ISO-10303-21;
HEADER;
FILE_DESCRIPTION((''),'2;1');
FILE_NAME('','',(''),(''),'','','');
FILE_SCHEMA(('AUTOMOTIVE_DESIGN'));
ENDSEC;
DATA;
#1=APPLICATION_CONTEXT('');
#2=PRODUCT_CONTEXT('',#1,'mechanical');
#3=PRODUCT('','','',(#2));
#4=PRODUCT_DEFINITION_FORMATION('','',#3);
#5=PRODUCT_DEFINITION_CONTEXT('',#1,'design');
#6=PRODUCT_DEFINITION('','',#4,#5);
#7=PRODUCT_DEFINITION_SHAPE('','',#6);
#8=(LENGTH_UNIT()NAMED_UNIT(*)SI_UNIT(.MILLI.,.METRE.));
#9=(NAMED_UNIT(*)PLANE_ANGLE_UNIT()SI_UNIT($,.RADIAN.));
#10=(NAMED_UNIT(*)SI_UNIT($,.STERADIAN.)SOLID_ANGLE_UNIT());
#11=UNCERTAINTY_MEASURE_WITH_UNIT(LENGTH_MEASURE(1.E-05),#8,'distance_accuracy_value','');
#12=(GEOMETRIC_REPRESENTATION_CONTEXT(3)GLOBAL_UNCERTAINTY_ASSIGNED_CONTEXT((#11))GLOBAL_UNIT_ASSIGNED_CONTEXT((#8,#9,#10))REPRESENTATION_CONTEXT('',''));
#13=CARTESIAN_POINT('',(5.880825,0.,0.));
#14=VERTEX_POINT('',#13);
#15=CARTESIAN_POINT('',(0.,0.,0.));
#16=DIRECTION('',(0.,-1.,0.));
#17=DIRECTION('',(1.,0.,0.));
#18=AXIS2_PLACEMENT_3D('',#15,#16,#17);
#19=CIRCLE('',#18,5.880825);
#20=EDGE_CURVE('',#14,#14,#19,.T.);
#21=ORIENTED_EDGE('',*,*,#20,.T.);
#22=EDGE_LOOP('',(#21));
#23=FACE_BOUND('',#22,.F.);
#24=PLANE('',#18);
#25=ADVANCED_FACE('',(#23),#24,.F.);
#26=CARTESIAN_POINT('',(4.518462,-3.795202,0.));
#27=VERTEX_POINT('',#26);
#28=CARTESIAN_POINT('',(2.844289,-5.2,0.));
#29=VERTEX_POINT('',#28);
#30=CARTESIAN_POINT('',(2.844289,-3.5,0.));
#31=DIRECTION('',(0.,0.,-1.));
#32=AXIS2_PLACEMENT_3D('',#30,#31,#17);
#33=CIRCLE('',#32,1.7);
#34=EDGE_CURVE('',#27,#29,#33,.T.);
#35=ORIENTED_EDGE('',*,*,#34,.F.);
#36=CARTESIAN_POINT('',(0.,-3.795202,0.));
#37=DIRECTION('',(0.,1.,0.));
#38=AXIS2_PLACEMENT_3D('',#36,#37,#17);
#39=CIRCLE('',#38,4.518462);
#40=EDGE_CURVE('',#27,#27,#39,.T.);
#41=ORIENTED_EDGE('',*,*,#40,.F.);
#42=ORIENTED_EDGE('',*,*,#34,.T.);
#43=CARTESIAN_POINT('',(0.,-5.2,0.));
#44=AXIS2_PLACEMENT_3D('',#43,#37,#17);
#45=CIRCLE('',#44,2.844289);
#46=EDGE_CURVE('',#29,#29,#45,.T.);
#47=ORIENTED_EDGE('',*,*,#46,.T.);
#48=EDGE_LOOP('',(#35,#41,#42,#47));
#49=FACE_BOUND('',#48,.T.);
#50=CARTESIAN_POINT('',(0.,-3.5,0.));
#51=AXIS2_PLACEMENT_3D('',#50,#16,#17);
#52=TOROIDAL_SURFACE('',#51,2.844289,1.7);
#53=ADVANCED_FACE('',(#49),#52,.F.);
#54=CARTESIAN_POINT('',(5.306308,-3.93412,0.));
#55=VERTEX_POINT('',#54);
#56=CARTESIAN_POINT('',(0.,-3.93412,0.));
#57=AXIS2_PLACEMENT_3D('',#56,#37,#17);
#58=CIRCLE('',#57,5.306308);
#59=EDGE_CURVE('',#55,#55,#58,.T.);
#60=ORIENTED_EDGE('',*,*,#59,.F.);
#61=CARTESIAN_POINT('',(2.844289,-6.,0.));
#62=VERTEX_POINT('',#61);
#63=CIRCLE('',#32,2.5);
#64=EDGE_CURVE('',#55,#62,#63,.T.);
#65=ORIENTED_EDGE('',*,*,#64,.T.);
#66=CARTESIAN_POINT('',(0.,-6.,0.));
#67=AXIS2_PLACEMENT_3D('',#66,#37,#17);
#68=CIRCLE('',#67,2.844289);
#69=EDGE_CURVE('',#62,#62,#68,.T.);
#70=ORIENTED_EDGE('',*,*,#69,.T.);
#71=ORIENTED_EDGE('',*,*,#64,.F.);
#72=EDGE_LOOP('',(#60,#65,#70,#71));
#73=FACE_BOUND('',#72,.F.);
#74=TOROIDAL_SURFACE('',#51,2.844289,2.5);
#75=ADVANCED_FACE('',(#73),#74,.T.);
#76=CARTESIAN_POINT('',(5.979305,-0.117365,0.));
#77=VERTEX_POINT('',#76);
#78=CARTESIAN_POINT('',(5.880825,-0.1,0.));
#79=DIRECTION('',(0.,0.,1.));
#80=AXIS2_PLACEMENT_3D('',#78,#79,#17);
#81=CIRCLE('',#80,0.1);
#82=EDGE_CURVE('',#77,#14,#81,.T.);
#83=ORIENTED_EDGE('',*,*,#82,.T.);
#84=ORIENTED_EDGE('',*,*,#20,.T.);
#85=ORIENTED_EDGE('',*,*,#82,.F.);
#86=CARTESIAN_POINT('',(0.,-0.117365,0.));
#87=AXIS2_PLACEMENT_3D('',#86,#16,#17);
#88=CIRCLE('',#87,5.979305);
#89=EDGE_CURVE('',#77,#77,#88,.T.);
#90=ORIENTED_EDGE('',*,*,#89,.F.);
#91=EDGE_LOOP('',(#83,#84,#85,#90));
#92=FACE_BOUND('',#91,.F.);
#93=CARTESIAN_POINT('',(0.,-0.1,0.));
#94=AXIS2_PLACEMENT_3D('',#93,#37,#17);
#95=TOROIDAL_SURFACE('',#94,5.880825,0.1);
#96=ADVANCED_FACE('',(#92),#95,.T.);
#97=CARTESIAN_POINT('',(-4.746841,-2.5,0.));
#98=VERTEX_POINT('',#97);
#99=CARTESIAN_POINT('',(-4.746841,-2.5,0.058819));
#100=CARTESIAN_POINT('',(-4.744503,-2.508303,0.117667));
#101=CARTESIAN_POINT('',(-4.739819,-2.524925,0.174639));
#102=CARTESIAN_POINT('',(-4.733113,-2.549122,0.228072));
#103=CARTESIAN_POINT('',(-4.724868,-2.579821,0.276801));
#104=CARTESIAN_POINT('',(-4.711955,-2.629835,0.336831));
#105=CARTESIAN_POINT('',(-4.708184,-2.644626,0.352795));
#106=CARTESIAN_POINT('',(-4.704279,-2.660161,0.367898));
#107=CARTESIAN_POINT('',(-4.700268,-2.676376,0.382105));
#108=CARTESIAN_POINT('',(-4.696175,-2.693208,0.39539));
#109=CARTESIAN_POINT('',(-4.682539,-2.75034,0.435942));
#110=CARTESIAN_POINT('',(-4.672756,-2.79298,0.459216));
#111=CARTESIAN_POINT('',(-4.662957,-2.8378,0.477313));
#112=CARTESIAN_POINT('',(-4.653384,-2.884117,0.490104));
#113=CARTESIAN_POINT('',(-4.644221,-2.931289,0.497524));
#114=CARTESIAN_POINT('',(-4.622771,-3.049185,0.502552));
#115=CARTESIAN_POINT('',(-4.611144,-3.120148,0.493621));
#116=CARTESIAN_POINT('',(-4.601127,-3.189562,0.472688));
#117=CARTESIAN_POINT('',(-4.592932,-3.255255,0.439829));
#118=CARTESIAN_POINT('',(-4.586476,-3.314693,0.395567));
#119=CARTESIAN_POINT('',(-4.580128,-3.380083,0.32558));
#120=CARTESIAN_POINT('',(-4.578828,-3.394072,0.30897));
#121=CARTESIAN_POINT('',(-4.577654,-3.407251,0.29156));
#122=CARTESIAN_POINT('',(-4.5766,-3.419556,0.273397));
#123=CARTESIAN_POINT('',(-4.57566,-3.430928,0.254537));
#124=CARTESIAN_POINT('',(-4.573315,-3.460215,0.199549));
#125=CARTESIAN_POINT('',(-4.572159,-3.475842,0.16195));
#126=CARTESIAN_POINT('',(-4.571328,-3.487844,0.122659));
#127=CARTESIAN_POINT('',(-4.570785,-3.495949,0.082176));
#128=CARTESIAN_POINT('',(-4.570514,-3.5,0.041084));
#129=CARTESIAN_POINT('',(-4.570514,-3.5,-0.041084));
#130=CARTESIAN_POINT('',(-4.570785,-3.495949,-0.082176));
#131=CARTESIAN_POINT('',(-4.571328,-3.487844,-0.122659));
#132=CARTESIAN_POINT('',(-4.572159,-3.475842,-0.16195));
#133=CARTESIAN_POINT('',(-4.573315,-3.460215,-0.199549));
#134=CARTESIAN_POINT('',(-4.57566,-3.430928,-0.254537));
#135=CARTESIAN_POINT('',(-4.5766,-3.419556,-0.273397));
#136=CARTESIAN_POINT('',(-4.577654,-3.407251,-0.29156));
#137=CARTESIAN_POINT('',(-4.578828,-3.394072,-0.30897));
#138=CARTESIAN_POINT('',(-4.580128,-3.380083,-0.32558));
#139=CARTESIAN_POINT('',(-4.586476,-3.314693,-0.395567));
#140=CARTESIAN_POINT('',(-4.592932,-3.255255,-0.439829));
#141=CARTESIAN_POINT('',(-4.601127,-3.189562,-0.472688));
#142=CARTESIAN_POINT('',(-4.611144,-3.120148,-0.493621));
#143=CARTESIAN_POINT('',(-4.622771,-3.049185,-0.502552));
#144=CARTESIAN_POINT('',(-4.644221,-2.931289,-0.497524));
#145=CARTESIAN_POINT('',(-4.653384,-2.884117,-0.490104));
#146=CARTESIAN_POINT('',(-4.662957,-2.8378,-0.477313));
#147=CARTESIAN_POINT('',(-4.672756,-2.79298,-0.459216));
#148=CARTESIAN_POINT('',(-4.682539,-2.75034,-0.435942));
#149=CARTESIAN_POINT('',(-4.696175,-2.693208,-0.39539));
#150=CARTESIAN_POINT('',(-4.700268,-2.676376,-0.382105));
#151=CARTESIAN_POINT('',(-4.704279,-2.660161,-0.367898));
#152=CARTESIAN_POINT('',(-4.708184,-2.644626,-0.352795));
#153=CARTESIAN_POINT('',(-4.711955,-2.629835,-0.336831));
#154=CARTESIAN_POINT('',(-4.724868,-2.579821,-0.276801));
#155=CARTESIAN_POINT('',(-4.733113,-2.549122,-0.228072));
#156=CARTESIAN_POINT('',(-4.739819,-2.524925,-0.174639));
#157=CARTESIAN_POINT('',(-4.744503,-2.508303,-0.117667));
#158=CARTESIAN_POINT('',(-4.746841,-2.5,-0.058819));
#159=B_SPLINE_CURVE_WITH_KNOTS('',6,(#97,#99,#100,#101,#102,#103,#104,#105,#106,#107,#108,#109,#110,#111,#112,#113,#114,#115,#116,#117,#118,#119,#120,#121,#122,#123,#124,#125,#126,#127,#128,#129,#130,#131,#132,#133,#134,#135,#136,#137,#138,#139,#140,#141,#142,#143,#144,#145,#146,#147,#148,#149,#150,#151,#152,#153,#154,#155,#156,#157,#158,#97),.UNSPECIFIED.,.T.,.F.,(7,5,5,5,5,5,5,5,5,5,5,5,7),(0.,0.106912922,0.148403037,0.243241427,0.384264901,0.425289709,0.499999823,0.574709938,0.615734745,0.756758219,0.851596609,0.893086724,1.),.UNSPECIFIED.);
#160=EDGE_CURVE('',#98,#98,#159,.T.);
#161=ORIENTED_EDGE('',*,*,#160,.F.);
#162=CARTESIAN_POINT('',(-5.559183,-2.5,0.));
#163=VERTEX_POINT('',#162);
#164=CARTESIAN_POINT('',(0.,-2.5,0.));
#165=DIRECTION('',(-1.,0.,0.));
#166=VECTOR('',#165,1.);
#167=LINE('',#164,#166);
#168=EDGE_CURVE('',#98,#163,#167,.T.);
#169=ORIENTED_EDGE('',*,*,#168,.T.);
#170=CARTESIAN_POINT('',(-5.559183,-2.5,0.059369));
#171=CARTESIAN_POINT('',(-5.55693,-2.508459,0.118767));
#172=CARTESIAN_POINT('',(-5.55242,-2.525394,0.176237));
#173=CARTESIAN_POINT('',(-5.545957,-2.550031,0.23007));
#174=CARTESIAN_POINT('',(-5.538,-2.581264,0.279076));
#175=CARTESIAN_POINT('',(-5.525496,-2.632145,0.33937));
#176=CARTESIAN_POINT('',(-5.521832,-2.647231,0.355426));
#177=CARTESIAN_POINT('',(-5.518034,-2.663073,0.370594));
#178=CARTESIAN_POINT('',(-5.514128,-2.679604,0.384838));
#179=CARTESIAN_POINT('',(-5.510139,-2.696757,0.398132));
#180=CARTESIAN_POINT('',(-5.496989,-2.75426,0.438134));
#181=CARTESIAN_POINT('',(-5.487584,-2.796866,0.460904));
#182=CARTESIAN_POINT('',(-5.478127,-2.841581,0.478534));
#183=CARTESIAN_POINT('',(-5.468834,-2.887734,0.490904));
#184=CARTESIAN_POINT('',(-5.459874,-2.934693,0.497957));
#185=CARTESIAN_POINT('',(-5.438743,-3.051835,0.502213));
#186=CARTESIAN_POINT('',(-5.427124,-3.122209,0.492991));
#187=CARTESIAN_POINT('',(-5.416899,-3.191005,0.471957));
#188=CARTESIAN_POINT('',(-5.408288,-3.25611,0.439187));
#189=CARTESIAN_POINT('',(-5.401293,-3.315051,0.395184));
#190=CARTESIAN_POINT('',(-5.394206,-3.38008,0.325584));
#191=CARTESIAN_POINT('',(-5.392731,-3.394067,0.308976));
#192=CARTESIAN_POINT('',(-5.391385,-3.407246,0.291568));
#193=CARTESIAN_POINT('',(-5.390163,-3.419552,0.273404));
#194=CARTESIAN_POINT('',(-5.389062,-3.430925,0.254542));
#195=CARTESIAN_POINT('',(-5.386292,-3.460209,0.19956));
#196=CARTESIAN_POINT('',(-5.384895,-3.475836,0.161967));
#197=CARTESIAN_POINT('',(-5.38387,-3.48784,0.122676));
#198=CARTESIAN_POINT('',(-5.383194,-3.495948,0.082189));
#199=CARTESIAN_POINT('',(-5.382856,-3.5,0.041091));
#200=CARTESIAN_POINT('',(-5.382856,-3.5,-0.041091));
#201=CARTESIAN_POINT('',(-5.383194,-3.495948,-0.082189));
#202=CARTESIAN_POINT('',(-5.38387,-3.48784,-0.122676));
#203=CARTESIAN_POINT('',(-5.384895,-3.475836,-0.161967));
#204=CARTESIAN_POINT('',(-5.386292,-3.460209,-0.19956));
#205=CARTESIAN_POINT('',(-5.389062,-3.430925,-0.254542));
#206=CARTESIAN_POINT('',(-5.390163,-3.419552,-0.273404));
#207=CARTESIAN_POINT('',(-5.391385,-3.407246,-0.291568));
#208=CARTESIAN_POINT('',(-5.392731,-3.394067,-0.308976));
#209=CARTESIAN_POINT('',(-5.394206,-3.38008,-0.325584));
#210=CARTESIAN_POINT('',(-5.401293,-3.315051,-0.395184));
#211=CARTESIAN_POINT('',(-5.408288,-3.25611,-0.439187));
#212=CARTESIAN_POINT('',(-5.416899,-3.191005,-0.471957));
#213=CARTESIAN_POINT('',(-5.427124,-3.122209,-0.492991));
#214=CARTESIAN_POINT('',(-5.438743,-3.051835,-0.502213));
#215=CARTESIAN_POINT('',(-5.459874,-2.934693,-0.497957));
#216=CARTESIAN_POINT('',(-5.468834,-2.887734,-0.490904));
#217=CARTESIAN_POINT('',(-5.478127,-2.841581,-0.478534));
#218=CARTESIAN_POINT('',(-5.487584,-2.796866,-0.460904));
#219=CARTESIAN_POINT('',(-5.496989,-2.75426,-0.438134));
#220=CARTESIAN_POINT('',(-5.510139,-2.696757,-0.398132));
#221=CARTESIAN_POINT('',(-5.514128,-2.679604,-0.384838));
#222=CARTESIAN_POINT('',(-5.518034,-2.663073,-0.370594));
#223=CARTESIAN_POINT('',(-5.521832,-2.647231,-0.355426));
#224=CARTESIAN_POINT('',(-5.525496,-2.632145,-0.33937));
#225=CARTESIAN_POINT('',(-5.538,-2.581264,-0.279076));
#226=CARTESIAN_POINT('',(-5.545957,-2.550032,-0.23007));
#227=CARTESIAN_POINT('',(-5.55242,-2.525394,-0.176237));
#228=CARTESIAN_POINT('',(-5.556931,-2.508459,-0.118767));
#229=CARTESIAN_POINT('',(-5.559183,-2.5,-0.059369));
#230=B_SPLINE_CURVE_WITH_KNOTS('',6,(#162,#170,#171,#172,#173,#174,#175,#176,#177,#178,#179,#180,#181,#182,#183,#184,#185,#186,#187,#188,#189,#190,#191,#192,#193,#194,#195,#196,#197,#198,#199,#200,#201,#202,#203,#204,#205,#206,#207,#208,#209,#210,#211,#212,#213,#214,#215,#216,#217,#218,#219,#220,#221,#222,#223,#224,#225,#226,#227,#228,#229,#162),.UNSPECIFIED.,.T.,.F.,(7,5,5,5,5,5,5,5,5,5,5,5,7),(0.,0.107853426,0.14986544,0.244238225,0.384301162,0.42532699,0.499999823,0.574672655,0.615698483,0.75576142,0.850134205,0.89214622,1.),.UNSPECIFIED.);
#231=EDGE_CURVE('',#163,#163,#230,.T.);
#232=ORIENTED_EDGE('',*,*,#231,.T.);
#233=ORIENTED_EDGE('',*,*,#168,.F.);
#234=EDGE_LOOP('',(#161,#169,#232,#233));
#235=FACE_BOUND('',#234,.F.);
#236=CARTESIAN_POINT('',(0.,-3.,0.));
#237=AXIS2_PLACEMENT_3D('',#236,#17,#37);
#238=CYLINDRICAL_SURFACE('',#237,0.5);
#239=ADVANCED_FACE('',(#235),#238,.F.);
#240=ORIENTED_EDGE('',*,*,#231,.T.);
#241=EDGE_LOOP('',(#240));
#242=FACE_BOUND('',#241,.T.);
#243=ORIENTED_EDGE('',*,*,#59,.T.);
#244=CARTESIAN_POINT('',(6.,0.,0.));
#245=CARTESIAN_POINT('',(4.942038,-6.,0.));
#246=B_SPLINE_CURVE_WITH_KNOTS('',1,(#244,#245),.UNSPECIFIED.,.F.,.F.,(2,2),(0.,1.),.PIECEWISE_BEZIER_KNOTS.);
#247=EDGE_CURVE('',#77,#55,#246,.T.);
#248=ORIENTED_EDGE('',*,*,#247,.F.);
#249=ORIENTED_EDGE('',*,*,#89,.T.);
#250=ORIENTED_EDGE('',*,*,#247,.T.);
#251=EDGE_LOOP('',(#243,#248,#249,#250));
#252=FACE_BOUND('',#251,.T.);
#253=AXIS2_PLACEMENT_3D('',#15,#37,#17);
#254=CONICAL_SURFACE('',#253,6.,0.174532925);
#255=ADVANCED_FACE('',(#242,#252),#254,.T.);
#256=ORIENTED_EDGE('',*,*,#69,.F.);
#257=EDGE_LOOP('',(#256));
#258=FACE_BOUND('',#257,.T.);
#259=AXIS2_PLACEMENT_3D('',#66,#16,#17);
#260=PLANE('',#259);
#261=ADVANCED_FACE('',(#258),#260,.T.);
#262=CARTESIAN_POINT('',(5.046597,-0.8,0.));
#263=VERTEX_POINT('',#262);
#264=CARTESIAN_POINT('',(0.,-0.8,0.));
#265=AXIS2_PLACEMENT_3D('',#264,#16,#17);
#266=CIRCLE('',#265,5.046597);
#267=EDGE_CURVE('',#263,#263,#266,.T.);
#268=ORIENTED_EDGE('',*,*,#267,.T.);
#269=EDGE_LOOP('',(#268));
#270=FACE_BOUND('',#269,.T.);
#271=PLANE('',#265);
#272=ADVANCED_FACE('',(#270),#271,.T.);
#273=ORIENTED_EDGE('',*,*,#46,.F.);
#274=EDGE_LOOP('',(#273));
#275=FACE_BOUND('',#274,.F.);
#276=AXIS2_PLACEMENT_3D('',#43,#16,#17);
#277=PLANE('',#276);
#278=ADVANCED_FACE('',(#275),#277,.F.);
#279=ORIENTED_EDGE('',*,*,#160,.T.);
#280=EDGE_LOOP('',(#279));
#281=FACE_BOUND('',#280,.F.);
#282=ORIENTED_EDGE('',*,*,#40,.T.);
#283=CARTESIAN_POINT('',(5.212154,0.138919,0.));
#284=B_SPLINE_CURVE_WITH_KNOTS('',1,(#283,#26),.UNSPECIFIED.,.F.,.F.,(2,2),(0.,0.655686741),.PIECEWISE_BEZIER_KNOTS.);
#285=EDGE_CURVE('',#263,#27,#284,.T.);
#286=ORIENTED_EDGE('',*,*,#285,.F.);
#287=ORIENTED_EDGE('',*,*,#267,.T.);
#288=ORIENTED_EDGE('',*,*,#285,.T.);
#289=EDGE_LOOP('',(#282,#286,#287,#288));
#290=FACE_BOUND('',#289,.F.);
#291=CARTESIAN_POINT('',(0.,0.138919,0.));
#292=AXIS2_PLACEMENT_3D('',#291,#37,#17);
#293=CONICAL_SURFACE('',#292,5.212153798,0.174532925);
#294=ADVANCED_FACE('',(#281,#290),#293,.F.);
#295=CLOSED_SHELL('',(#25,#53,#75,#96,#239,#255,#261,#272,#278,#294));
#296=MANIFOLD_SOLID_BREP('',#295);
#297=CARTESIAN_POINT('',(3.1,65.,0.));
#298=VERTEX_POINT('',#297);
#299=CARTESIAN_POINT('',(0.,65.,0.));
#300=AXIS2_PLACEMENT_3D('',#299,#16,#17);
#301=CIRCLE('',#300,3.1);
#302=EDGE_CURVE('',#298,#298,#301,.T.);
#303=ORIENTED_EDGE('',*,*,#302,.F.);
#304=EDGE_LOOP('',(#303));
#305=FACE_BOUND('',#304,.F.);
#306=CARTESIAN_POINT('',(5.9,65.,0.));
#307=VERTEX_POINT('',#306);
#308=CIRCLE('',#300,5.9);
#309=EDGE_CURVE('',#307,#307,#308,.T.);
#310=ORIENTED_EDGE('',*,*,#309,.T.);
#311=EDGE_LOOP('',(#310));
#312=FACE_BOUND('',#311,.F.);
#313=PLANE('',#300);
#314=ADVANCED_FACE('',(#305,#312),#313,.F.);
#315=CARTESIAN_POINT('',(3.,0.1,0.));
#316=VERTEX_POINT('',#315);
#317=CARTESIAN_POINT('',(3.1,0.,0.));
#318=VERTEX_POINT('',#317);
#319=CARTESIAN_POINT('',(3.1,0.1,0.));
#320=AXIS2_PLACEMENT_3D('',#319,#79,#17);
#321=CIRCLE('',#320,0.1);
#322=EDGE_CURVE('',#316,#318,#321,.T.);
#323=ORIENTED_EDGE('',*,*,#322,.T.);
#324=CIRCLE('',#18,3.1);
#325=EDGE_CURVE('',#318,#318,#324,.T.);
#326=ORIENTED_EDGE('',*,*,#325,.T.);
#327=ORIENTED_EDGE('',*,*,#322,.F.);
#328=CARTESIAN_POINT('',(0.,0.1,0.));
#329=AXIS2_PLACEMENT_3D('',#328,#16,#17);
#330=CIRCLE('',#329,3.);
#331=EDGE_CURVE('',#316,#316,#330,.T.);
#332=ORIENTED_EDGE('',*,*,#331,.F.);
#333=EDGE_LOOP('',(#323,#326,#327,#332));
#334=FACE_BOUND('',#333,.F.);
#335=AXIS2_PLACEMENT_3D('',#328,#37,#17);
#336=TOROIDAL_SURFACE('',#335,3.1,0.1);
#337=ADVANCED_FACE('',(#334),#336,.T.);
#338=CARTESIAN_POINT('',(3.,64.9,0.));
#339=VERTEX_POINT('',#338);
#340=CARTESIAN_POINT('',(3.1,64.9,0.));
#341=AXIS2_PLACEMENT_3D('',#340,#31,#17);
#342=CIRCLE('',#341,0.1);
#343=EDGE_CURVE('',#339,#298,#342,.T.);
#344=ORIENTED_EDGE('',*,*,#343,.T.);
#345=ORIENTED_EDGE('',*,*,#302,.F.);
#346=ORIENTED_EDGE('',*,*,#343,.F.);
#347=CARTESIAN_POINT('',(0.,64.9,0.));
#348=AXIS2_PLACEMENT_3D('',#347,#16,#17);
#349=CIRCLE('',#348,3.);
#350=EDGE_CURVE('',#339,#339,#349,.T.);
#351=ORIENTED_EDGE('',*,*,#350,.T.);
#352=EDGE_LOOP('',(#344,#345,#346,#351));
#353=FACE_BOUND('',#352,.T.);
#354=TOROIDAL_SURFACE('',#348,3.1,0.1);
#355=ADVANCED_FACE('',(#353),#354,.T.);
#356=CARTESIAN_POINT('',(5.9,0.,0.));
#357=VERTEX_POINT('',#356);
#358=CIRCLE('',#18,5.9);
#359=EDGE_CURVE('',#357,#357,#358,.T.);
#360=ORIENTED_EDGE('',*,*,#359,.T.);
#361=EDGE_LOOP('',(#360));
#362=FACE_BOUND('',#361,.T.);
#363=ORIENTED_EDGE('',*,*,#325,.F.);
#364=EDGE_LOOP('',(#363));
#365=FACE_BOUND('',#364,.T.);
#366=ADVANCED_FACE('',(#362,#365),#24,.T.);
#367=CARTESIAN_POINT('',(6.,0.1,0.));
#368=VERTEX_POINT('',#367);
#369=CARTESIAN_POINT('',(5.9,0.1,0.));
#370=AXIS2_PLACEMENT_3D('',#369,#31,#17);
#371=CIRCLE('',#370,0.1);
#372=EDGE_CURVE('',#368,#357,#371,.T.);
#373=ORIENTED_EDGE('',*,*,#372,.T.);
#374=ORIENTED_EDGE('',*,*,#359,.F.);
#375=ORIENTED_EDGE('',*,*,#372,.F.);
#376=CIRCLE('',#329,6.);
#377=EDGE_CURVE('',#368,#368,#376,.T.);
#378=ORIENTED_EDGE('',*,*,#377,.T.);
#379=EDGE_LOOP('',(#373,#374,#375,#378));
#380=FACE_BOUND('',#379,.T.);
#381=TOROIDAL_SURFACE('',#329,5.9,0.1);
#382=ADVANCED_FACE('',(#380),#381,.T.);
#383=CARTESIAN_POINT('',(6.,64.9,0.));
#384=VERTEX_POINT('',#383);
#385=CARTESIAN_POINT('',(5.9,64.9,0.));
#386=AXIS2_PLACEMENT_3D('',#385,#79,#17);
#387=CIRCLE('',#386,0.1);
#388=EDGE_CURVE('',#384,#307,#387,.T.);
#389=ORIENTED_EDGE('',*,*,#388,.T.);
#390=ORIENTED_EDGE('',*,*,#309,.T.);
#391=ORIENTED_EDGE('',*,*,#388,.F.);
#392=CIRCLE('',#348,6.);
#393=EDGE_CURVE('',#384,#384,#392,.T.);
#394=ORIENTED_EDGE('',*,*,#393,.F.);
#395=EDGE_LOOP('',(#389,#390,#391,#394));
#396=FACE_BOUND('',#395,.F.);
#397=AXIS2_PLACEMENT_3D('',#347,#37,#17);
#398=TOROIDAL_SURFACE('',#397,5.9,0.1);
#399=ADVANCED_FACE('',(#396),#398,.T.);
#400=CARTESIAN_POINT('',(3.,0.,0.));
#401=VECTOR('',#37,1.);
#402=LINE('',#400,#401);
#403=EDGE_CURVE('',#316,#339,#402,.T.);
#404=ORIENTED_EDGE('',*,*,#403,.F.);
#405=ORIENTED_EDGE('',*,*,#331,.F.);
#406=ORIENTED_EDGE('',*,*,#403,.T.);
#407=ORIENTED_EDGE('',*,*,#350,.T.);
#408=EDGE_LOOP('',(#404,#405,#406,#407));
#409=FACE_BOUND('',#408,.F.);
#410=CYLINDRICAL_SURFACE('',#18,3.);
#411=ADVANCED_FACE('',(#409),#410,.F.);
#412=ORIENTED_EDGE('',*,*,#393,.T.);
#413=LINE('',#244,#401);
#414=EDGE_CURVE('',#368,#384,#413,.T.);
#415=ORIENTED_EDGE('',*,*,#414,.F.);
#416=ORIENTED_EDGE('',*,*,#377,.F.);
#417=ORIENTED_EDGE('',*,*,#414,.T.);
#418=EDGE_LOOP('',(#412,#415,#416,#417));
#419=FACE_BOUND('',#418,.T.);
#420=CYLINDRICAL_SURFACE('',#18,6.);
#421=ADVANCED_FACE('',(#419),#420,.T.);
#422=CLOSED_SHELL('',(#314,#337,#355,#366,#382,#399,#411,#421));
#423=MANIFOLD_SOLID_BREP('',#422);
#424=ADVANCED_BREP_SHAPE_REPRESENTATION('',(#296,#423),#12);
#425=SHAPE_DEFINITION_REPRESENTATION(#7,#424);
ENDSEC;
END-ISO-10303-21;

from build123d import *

# Parameters (mm, degrees)
F0_R     = 6
F0_R_2   = 3
F1_DEPTH = 65
F2_DEPTH = 6
F2_TAPER = 10
F3_R     = 2.5
F4_T     = -0.8
F5_R     = 0.5
F6_DEPTH = 6.5591826482
F7_R     = 0.1
F7_2_R   = 0.1


with BuildPart() as f1:
    # F0 (on Front) → F1 (new body)
    with BuildSketch(Plane.XZ):
        Circle(F0_R)
        Circle(F0_R_2, mode=Mode.SUBTRACT)
    extrude(amount=-F1_DEPTH)

    # F7
    f7_edges = [f1.edges().sort_by_distance(p)[0] for p in [
        (6, 32.5, 0),
        (-6, 0, 0),
        (-6, 65, 0),
        (3, 32.5, 0),
        (-3, 0, 0),
        (-3, 65, 0),
    ]]
    fillet(f7_edges, radius=F7_R)


with BuildPart() as f2:
    # F0 (on Front) → F2 (new body)
    with BuildSketch(Plane.XZ):
        Circle(F0_R)
        Circle(F0_R_2, mode=Mode.SUBTRACT)
        Circle(F0_R_2)
    extrude(amount=F2_DEPTH, taper=F2_TAPER)

    # F3
    f3_edges = [f2.edges().sort_by_distance(p)[0] for p in [
        (-4.942038, -6, 0),
    ]]
    fillet(f3_edges, radius=F3_R)

    # F4 (hollow: no face is removed)
    offset(amount=F4_T, mode=Mode.SUBTRACT)

    # F5 (on Right) → F6 (cut, up to face)
    with BuildSketch(Plane.YZ):
        with Locations((-3, 0)):
            Circle(F5_R)
    extrude(amount=-F6_DEPTH, mode=Mode.SUBTRACT)

    # F7#2
    f7_2_edges = [f2.edges().sort_by_distance(p)[0] for p in [
        (-6, 0, 0),
    ]]
    fillet(f7_2_edges, radius=F7_2_R)


solid = Compound([f1.part, f2.part])
